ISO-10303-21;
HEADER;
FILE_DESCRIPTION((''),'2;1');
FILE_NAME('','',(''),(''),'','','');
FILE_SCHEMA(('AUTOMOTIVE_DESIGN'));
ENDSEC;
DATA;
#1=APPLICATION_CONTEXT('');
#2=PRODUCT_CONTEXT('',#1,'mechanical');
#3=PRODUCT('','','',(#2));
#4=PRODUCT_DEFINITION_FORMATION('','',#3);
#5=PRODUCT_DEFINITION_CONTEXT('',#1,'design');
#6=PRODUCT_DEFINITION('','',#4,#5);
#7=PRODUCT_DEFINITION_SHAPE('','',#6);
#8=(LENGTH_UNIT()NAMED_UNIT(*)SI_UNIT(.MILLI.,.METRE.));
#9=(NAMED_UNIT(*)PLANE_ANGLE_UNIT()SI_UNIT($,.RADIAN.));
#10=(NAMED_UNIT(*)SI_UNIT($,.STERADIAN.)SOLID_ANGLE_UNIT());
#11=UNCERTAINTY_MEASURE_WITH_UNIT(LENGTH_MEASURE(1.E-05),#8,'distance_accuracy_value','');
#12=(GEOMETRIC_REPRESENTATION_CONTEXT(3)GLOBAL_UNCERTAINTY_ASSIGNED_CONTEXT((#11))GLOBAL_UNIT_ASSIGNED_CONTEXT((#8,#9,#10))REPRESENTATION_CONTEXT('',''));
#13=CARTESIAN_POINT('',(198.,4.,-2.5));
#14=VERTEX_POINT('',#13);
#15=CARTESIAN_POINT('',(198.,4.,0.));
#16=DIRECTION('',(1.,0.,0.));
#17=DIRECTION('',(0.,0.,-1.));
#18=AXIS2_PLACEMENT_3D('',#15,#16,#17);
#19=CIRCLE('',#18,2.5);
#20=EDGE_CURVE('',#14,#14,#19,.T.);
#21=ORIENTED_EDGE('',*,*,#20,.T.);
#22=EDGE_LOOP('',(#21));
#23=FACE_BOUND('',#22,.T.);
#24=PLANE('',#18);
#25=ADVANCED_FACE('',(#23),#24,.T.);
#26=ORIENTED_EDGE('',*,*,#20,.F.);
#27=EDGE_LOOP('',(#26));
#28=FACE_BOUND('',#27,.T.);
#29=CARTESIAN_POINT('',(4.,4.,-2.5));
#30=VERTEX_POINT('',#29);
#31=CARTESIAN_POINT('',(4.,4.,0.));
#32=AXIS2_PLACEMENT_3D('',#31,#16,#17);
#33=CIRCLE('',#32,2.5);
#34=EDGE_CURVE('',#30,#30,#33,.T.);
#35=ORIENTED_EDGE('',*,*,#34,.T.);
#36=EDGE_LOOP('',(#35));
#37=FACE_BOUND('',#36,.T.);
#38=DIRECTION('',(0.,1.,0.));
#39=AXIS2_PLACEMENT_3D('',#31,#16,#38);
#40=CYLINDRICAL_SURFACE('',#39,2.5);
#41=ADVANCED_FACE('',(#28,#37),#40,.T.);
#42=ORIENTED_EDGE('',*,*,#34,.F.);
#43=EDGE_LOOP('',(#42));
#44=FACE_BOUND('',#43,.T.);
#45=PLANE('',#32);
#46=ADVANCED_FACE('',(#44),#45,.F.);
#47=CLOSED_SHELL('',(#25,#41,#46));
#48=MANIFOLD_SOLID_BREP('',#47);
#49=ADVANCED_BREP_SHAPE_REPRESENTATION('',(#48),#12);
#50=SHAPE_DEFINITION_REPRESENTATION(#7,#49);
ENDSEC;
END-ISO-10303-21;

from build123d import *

# Parameters (mm, degrees)
SKETCH7_R = 2.5


with BuildPart() as part:
    # Sweep1: sweep along a path in Sketch1
    with BuildLine(Plane.XY) as sweep1_path:
        Line((4, 4), (198, 4))
    # Sketch7 → Sweep1 (sweep)
    with BuildSketch(Plane(origin=(198, 0, 0), x_dir=(0, 0, -1), z_dir=(1, 0, 0))):
        with Locations((0, 4)):
            Circle(SKETCH7_R)
    sweep(path=sweep1_path.line)


solid = part.part
